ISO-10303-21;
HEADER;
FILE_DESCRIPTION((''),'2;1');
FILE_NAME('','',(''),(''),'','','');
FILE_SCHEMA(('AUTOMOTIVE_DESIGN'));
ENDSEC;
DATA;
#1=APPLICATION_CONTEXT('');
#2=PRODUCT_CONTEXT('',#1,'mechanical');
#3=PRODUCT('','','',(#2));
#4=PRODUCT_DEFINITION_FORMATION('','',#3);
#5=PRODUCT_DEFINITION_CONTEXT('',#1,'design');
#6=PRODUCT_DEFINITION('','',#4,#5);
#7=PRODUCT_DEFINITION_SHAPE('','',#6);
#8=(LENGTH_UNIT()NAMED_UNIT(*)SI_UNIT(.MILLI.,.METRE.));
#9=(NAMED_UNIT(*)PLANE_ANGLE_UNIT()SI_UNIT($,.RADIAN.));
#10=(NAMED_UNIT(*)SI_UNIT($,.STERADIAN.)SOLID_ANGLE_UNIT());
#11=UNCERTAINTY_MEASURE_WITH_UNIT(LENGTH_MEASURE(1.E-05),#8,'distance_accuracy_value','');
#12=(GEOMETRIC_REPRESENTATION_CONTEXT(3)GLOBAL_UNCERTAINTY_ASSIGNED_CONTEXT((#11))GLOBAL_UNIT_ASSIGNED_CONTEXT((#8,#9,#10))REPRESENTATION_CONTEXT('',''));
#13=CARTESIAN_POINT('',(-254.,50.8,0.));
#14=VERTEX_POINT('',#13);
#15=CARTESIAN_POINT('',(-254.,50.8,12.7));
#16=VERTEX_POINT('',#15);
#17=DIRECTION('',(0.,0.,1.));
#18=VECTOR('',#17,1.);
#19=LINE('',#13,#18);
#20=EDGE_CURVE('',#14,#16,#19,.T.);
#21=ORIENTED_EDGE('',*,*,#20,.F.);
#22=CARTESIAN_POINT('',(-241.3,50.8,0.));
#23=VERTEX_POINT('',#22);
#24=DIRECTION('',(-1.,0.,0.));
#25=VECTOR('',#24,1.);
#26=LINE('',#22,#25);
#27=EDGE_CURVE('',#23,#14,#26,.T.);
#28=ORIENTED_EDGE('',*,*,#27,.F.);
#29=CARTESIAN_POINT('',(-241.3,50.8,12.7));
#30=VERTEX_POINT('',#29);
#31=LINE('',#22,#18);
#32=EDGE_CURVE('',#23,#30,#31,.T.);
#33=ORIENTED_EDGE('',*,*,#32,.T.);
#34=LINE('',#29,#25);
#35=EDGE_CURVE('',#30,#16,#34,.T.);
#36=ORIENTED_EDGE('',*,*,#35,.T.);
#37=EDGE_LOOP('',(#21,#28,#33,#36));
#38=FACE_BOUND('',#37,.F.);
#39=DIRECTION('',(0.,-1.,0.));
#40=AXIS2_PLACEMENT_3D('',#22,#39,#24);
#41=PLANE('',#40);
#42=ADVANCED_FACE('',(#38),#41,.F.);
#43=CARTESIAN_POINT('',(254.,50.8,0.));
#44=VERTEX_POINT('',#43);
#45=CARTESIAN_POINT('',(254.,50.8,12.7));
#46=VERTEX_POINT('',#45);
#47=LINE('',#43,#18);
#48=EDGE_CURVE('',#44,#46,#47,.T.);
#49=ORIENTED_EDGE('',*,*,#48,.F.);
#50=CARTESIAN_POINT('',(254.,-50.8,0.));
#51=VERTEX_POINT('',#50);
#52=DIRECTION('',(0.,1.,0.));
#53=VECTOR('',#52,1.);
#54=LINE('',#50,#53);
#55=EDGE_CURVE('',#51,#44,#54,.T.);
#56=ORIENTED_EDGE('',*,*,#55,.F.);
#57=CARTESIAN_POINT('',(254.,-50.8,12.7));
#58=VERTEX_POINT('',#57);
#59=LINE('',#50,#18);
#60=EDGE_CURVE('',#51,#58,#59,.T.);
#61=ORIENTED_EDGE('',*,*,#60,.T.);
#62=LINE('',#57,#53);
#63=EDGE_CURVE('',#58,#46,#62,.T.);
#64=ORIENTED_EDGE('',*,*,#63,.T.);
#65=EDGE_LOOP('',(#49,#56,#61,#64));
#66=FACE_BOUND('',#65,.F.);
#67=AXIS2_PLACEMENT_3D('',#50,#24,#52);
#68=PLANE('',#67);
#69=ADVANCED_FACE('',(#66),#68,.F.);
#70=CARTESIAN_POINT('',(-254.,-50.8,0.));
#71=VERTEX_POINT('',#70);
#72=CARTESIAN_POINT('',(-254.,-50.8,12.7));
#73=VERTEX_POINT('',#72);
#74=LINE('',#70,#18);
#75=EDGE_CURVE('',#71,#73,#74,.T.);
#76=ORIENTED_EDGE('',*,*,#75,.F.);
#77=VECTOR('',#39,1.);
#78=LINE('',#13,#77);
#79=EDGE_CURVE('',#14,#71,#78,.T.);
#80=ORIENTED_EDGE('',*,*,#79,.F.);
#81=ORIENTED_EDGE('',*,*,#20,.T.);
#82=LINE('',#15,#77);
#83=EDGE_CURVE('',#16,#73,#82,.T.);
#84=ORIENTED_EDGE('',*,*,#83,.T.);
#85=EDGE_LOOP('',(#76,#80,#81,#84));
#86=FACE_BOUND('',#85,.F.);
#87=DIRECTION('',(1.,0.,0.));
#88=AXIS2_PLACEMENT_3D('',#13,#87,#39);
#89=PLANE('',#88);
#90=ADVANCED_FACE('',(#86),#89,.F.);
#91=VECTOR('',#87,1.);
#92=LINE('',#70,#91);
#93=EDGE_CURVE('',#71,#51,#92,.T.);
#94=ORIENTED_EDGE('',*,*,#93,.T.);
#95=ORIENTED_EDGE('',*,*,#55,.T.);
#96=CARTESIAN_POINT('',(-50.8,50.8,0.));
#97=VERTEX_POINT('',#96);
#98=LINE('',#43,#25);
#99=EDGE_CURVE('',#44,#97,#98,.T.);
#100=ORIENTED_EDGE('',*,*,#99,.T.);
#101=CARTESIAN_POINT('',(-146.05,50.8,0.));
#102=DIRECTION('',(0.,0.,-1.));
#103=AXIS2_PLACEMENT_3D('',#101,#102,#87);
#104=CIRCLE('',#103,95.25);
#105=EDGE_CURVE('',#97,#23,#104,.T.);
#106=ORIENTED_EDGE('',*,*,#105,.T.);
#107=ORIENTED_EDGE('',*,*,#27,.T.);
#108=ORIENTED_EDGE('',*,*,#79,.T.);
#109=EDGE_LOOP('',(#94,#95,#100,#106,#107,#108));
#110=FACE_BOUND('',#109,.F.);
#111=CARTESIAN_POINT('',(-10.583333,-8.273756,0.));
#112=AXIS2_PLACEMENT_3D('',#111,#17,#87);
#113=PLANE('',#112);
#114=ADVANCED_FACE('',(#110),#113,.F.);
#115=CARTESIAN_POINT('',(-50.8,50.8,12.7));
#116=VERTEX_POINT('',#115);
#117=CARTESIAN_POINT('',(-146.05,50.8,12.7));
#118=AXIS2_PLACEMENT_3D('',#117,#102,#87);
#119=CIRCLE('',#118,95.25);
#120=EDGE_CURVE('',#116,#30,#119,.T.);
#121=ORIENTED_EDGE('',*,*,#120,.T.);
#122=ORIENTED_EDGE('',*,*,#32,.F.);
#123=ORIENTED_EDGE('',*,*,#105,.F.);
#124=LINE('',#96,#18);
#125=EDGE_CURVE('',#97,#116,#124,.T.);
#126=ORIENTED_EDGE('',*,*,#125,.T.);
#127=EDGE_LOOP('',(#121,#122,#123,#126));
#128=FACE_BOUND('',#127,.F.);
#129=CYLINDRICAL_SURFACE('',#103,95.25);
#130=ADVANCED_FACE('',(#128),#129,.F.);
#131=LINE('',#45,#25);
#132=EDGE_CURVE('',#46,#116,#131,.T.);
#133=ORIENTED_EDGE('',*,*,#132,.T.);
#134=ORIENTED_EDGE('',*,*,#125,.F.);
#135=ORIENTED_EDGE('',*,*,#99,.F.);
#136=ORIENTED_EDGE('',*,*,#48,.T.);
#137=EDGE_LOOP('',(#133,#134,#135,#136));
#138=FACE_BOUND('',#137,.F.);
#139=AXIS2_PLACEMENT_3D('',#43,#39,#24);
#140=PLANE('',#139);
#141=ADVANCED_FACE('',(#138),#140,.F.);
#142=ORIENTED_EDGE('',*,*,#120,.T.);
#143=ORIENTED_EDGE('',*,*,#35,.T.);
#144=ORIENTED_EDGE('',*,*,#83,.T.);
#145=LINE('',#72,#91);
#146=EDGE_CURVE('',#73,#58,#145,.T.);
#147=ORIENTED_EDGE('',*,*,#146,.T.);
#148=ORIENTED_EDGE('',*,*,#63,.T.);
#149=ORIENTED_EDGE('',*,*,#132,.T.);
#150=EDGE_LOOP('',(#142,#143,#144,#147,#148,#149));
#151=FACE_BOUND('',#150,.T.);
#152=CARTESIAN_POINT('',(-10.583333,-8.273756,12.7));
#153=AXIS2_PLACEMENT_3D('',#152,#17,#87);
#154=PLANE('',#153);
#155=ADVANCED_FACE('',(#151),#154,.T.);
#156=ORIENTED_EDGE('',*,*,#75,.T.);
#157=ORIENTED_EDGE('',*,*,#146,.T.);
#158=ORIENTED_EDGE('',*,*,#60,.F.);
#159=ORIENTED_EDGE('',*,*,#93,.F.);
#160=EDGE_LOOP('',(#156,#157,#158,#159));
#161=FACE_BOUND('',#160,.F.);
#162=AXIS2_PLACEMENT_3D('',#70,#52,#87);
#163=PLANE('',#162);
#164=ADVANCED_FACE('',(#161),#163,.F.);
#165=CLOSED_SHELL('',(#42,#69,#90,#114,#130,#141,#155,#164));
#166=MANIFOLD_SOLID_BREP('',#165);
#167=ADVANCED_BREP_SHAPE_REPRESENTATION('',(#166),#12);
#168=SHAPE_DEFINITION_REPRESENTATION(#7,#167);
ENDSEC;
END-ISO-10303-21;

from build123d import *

# Parameters (mm, degrees)
F1_DEPTH = 12.7


with BuildPart() as f1:
    # F0 (on Top) → F1 (new body)
    with BuildSketch(Plane.XY):
        with BuildLine():
            Line((-241.3, 50.8), (-254, 50.8))
            Line((-254, 50.8), (-254, -50.8))
            Line((-254, -50.8), (254, -50.8))
            Line((254, -50.8), (254, 50.8))
            Line((254, 50.8), (-50.8, 50.8))
            ThreePointArc((-50.8, 50.8), (-146.05, -44.45), (-241.3, 50.8))
        make_face()
    extrude(amount=F1_DEPTH)


solid = f1.part
